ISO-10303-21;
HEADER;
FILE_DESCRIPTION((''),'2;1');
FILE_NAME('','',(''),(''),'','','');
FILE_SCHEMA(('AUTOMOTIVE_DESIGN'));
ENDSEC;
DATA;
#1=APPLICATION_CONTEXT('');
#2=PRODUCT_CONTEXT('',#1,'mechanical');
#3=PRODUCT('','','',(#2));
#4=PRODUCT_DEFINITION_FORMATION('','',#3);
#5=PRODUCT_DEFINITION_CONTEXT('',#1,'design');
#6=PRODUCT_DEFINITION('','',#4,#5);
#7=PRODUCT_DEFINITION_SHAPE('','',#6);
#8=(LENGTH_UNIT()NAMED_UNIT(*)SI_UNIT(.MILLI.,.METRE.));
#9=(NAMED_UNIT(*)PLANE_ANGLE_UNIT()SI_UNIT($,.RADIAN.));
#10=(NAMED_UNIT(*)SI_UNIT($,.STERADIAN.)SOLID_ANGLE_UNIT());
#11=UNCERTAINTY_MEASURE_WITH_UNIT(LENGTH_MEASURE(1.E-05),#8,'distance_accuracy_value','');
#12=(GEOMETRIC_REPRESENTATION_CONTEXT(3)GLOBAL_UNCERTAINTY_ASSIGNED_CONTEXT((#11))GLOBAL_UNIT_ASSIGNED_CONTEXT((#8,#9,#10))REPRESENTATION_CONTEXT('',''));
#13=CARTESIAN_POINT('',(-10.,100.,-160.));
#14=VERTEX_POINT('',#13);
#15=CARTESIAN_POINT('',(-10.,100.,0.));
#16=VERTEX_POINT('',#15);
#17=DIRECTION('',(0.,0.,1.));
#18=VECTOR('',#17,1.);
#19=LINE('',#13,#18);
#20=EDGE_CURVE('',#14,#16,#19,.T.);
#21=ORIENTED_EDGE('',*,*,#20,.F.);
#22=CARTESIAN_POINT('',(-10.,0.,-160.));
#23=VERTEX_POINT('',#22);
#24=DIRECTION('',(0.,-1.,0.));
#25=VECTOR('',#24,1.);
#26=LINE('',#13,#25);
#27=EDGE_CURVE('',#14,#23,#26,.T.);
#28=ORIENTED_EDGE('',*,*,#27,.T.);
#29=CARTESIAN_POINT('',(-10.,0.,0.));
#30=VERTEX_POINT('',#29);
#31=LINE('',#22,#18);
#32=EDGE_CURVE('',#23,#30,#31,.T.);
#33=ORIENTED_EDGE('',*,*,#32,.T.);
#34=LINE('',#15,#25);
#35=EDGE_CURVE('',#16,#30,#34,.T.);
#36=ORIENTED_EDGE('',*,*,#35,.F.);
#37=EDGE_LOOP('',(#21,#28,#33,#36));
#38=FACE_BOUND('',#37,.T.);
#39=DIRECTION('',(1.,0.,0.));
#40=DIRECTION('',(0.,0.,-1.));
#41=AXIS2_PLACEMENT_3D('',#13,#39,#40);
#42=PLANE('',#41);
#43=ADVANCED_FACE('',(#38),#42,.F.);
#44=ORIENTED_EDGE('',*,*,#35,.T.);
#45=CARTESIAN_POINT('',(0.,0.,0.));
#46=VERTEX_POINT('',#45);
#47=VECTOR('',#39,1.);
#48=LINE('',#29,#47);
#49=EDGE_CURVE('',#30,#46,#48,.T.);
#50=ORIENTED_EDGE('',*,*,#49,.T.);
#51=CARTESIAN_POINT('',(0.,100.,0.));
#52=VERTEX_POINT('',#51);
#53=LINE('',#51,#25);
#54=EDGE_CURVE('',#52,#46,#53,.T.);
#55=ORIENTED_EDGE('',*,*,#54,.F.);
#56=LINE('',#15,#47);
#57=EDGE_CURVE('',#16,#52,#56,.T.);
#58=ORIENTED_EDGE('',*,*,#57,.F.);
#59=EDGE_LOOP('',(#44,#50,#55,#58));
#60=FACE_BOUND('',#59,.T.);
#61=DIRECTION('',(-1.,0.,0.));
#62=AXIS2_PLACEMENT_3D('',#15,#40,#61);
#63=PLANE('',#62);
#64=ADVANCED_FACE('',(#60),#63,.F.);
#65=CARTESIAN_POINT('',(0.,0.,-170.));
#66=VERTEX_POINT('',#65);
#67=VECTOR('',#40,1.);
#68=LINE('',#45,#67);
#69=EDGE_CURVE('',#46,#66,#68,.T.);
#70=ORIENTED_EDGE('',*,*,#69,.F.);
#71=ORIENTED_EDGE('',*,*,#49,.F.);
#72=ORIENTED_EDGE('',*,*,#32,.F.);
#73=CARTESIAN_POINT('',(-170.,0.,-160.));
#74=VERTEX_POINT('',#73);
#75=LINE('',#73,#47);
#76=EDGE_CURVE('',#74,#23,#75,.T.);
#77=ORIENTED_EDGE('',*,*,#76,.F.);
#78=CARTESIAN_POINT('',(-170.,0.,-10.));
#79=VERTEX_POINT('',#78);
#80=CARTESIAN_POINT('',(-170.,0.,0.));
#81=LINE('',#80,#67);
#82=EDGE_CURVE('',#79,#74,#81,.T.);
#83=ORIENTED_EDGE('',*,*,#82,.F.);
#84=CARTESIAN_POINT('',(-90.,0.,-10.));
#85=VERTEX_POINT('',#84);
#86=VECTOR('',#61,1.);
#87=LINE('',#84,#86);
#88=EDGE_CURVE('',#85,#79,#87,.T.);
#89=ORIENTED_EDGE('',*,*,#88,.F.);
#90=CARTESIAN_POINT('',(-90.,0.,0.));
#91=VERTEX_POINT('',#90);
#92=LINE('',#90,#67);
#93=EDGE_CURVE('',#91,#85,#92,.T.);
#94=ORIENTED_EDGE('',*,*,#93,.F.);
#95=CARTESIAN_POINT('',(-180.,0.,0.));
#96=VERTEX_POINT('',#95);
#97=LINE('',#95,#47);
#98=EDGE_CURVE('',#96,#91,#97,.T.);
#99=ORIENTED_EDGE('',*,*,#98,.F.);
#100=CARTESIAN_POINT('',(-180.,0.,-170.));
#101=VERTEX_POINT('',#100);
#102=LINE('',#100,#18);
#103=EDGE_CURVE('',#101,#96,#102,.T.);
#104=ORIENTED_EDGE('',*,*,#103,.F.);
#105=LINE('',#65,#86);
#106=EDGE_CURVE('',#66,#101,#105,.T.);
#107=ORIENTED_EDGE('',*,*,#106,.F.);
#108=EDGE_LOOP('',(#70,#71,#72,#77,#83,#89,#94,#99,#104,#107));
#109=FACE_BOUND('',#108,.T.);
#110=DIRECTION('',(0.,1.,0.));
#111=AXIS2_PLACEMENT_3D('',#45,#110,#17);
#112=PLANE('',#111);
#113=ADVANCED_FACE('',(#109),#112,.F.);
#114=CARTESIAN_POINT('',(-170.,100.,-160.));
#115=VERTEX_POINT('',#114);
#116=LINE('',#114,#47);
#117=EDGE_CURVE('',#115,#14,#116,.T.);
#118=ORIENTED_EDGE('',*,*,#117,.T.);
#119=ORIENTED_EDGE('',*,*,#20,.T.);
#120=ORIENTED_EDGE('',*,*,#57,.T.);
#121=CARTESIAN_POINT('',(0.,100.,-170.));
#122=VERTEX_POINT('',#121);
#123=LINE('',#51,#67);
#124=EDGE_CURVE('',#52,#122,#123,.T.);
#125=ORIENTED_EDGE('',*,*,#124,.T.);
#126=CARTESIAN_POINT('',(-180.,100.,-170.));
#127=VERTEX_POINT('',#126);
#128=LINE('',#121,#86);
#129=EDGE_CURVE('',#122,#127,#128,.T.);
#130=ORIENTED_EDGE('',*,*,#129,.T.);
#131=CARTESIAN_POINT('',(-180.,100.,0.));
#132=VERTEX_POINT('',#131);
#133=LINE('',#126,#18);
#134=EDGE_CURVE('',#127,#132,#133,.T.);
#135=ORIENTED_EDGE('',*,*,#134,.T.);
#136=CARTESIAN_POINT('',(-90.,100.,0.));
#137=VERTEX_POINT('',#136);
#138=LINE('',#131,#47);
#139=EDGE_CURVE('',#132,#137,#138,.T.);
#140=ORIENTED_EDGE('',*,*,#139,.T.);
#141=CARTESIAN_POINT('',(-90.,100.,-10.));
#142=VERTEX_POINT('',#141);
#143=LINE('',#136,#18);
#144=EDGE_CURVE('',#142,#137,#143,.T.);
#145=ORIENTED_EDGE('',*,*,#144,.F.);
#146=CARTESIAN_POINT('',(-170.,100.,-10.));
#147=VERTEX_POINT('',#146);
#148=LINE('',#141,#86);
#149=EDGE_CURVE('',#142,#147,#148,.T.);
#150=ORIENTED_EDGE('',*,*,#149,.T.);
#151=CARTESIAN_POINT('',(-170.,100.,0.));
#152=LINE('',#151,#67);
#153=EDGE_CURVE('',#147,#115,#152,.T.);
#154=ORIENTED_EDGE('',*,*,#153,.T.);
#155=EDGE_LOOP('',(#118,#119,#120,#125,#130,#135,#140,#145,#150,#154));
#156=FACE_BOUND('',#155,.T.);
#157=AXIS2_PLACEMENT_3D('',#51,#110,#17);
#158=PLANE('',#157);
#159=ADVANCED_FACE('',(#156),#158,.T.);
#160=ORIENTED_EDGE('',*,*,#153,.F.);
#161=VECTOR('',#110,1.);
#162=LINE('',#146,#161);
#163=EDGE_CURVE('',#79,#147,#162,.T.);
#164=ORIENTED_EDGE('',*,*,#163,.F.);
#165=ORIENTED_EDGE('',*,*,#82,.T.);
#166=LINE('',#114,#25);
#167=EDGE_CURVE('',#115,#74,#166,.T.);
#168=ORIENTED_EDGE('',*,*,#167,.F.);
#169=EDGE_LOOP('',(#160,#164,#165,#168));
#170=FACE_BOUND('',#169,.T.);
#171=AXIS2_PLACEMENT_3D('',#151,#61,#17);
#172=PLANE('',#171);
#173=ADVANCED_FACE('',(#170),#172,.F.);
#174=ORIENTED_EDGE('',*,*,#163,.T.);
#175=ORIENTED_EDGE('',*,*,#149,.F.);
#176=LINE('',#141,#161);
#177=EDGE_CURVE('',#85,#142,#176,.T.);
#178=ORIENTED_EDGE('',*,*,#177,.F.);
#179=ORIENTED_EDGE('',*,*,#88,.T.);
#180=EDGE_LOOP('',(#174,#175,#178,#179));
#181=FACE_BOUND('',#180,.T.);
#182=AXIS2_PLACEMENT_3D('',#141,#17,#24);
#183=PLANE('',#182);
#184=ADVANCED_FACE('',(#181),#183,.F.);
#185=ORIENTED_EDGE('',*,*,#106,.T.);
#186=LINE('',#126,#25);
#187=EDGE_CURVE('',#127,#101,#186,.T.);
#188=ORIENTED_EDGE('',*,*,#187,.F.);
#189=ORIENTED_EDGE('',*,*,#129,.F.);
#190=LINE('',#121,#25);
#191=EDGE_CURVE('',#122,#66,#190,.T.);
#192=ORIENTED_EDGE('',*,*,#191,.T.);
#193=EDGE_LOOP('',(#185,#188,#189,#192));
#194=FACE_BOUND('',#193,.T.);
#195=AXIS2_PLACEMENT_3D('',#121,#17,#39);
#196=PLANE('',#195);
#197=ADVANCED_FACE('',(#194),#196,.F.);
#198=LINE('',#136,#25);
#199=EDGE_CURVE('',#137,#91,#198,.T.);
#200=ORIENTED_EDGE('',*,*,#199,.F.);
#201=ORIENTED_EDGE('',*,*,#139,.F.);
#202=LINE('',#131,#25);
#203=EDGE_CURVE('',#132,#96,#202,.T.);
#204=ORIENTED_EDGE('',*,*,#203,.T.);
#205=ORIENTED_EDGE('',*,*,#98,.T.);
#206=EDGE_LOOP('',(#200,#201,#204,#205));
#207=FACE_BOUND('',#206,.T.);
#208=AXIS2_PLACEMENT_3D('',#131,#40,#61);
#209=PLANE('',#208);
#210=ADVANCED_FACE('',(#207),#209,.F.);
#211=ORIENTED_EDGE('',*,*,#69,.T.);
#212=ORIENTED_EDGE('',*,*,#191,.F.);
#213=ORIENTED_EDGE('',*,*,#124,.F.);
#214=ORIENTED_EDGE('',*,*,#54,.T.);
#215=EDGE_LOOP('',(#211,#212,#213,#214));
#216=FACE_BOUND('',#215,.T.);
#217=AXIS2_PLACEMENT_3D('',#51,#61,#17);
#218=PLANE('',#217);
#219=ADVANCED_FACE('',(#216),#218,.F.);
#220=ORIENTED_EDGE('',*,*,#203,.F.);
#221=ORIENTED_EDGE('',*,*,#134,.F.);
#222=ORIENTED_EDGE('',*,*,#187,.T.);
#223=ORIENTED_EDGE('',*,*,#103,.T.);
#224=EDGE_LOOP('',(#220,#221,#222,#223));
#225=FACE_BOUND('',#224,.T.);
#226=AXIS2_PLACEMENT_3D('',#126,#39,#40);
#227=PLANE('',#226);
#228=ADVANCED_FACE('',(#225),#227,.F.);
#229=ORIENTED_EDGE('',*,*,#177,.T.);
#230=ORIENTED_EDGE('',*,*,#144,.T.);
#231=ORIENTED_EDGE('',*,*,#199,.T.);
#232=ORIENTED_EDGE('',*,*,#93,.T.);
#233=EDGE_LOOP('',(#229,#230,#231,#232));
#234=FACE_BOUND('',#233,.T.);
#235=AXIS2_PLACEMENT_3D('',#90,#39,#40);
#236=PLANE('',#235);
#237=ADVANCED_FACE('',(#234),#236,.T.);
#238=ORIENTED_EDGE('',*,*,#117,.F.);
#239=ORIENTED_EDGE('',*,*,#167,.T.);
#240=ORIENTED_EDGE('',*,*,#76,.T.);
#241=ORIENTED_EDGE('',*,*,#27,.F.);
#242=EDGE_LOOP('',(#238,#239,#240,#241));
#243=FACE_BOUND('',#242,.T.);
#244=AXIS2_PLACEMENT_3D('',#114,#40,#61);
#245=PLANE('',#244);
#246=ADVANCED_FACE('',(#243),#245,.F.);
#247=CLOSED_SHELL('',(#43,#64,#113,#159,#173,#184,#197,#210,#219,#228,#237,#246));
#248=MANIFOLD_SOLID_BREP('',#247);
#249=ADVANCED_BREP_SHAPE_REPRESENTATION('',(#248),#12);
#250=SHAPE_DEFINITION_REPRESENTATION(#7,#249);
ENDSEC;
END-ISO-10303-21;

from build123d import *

# Parameters (mm, degrees)
BOSS_EXTRUDE1_DEPTH = 100
SKETCH2_W           = 10
SKETCH2_H           = 100
BOSS_EXTRUDE2_DEPTH = 80


with BuildPart() as part:
    # Sketch1 → Boss-Extrude1 (new body)
    with BuildSketch(Plane(origin=(0, 0, 0), x_dir=(1, 0, 0), z_dir=(0, 1, 0))):
        Polygon((0, 0), (0, 170), (-180, 170), (-180, 0), (-170, 0), (-170, 160), (-10, 160), (-10, 0), align=None)
    extrude(amount=BOSS_EXTRUDE1_DEPTH)

    # Sketch2 → Boss-Extrude2 (add)
    with BuildSketch(Plane(origin=(-170, 0, 0), x_dir=(0, 0, -1), z_dir=(1, 0, 0))):
        with Locations((5, 50)):
            Rectangle(SKETCH2_W, SKETCH2_H)
    extrude(amount=BOSS_EXTRUDE2_DEPTH)


solid = part.part
